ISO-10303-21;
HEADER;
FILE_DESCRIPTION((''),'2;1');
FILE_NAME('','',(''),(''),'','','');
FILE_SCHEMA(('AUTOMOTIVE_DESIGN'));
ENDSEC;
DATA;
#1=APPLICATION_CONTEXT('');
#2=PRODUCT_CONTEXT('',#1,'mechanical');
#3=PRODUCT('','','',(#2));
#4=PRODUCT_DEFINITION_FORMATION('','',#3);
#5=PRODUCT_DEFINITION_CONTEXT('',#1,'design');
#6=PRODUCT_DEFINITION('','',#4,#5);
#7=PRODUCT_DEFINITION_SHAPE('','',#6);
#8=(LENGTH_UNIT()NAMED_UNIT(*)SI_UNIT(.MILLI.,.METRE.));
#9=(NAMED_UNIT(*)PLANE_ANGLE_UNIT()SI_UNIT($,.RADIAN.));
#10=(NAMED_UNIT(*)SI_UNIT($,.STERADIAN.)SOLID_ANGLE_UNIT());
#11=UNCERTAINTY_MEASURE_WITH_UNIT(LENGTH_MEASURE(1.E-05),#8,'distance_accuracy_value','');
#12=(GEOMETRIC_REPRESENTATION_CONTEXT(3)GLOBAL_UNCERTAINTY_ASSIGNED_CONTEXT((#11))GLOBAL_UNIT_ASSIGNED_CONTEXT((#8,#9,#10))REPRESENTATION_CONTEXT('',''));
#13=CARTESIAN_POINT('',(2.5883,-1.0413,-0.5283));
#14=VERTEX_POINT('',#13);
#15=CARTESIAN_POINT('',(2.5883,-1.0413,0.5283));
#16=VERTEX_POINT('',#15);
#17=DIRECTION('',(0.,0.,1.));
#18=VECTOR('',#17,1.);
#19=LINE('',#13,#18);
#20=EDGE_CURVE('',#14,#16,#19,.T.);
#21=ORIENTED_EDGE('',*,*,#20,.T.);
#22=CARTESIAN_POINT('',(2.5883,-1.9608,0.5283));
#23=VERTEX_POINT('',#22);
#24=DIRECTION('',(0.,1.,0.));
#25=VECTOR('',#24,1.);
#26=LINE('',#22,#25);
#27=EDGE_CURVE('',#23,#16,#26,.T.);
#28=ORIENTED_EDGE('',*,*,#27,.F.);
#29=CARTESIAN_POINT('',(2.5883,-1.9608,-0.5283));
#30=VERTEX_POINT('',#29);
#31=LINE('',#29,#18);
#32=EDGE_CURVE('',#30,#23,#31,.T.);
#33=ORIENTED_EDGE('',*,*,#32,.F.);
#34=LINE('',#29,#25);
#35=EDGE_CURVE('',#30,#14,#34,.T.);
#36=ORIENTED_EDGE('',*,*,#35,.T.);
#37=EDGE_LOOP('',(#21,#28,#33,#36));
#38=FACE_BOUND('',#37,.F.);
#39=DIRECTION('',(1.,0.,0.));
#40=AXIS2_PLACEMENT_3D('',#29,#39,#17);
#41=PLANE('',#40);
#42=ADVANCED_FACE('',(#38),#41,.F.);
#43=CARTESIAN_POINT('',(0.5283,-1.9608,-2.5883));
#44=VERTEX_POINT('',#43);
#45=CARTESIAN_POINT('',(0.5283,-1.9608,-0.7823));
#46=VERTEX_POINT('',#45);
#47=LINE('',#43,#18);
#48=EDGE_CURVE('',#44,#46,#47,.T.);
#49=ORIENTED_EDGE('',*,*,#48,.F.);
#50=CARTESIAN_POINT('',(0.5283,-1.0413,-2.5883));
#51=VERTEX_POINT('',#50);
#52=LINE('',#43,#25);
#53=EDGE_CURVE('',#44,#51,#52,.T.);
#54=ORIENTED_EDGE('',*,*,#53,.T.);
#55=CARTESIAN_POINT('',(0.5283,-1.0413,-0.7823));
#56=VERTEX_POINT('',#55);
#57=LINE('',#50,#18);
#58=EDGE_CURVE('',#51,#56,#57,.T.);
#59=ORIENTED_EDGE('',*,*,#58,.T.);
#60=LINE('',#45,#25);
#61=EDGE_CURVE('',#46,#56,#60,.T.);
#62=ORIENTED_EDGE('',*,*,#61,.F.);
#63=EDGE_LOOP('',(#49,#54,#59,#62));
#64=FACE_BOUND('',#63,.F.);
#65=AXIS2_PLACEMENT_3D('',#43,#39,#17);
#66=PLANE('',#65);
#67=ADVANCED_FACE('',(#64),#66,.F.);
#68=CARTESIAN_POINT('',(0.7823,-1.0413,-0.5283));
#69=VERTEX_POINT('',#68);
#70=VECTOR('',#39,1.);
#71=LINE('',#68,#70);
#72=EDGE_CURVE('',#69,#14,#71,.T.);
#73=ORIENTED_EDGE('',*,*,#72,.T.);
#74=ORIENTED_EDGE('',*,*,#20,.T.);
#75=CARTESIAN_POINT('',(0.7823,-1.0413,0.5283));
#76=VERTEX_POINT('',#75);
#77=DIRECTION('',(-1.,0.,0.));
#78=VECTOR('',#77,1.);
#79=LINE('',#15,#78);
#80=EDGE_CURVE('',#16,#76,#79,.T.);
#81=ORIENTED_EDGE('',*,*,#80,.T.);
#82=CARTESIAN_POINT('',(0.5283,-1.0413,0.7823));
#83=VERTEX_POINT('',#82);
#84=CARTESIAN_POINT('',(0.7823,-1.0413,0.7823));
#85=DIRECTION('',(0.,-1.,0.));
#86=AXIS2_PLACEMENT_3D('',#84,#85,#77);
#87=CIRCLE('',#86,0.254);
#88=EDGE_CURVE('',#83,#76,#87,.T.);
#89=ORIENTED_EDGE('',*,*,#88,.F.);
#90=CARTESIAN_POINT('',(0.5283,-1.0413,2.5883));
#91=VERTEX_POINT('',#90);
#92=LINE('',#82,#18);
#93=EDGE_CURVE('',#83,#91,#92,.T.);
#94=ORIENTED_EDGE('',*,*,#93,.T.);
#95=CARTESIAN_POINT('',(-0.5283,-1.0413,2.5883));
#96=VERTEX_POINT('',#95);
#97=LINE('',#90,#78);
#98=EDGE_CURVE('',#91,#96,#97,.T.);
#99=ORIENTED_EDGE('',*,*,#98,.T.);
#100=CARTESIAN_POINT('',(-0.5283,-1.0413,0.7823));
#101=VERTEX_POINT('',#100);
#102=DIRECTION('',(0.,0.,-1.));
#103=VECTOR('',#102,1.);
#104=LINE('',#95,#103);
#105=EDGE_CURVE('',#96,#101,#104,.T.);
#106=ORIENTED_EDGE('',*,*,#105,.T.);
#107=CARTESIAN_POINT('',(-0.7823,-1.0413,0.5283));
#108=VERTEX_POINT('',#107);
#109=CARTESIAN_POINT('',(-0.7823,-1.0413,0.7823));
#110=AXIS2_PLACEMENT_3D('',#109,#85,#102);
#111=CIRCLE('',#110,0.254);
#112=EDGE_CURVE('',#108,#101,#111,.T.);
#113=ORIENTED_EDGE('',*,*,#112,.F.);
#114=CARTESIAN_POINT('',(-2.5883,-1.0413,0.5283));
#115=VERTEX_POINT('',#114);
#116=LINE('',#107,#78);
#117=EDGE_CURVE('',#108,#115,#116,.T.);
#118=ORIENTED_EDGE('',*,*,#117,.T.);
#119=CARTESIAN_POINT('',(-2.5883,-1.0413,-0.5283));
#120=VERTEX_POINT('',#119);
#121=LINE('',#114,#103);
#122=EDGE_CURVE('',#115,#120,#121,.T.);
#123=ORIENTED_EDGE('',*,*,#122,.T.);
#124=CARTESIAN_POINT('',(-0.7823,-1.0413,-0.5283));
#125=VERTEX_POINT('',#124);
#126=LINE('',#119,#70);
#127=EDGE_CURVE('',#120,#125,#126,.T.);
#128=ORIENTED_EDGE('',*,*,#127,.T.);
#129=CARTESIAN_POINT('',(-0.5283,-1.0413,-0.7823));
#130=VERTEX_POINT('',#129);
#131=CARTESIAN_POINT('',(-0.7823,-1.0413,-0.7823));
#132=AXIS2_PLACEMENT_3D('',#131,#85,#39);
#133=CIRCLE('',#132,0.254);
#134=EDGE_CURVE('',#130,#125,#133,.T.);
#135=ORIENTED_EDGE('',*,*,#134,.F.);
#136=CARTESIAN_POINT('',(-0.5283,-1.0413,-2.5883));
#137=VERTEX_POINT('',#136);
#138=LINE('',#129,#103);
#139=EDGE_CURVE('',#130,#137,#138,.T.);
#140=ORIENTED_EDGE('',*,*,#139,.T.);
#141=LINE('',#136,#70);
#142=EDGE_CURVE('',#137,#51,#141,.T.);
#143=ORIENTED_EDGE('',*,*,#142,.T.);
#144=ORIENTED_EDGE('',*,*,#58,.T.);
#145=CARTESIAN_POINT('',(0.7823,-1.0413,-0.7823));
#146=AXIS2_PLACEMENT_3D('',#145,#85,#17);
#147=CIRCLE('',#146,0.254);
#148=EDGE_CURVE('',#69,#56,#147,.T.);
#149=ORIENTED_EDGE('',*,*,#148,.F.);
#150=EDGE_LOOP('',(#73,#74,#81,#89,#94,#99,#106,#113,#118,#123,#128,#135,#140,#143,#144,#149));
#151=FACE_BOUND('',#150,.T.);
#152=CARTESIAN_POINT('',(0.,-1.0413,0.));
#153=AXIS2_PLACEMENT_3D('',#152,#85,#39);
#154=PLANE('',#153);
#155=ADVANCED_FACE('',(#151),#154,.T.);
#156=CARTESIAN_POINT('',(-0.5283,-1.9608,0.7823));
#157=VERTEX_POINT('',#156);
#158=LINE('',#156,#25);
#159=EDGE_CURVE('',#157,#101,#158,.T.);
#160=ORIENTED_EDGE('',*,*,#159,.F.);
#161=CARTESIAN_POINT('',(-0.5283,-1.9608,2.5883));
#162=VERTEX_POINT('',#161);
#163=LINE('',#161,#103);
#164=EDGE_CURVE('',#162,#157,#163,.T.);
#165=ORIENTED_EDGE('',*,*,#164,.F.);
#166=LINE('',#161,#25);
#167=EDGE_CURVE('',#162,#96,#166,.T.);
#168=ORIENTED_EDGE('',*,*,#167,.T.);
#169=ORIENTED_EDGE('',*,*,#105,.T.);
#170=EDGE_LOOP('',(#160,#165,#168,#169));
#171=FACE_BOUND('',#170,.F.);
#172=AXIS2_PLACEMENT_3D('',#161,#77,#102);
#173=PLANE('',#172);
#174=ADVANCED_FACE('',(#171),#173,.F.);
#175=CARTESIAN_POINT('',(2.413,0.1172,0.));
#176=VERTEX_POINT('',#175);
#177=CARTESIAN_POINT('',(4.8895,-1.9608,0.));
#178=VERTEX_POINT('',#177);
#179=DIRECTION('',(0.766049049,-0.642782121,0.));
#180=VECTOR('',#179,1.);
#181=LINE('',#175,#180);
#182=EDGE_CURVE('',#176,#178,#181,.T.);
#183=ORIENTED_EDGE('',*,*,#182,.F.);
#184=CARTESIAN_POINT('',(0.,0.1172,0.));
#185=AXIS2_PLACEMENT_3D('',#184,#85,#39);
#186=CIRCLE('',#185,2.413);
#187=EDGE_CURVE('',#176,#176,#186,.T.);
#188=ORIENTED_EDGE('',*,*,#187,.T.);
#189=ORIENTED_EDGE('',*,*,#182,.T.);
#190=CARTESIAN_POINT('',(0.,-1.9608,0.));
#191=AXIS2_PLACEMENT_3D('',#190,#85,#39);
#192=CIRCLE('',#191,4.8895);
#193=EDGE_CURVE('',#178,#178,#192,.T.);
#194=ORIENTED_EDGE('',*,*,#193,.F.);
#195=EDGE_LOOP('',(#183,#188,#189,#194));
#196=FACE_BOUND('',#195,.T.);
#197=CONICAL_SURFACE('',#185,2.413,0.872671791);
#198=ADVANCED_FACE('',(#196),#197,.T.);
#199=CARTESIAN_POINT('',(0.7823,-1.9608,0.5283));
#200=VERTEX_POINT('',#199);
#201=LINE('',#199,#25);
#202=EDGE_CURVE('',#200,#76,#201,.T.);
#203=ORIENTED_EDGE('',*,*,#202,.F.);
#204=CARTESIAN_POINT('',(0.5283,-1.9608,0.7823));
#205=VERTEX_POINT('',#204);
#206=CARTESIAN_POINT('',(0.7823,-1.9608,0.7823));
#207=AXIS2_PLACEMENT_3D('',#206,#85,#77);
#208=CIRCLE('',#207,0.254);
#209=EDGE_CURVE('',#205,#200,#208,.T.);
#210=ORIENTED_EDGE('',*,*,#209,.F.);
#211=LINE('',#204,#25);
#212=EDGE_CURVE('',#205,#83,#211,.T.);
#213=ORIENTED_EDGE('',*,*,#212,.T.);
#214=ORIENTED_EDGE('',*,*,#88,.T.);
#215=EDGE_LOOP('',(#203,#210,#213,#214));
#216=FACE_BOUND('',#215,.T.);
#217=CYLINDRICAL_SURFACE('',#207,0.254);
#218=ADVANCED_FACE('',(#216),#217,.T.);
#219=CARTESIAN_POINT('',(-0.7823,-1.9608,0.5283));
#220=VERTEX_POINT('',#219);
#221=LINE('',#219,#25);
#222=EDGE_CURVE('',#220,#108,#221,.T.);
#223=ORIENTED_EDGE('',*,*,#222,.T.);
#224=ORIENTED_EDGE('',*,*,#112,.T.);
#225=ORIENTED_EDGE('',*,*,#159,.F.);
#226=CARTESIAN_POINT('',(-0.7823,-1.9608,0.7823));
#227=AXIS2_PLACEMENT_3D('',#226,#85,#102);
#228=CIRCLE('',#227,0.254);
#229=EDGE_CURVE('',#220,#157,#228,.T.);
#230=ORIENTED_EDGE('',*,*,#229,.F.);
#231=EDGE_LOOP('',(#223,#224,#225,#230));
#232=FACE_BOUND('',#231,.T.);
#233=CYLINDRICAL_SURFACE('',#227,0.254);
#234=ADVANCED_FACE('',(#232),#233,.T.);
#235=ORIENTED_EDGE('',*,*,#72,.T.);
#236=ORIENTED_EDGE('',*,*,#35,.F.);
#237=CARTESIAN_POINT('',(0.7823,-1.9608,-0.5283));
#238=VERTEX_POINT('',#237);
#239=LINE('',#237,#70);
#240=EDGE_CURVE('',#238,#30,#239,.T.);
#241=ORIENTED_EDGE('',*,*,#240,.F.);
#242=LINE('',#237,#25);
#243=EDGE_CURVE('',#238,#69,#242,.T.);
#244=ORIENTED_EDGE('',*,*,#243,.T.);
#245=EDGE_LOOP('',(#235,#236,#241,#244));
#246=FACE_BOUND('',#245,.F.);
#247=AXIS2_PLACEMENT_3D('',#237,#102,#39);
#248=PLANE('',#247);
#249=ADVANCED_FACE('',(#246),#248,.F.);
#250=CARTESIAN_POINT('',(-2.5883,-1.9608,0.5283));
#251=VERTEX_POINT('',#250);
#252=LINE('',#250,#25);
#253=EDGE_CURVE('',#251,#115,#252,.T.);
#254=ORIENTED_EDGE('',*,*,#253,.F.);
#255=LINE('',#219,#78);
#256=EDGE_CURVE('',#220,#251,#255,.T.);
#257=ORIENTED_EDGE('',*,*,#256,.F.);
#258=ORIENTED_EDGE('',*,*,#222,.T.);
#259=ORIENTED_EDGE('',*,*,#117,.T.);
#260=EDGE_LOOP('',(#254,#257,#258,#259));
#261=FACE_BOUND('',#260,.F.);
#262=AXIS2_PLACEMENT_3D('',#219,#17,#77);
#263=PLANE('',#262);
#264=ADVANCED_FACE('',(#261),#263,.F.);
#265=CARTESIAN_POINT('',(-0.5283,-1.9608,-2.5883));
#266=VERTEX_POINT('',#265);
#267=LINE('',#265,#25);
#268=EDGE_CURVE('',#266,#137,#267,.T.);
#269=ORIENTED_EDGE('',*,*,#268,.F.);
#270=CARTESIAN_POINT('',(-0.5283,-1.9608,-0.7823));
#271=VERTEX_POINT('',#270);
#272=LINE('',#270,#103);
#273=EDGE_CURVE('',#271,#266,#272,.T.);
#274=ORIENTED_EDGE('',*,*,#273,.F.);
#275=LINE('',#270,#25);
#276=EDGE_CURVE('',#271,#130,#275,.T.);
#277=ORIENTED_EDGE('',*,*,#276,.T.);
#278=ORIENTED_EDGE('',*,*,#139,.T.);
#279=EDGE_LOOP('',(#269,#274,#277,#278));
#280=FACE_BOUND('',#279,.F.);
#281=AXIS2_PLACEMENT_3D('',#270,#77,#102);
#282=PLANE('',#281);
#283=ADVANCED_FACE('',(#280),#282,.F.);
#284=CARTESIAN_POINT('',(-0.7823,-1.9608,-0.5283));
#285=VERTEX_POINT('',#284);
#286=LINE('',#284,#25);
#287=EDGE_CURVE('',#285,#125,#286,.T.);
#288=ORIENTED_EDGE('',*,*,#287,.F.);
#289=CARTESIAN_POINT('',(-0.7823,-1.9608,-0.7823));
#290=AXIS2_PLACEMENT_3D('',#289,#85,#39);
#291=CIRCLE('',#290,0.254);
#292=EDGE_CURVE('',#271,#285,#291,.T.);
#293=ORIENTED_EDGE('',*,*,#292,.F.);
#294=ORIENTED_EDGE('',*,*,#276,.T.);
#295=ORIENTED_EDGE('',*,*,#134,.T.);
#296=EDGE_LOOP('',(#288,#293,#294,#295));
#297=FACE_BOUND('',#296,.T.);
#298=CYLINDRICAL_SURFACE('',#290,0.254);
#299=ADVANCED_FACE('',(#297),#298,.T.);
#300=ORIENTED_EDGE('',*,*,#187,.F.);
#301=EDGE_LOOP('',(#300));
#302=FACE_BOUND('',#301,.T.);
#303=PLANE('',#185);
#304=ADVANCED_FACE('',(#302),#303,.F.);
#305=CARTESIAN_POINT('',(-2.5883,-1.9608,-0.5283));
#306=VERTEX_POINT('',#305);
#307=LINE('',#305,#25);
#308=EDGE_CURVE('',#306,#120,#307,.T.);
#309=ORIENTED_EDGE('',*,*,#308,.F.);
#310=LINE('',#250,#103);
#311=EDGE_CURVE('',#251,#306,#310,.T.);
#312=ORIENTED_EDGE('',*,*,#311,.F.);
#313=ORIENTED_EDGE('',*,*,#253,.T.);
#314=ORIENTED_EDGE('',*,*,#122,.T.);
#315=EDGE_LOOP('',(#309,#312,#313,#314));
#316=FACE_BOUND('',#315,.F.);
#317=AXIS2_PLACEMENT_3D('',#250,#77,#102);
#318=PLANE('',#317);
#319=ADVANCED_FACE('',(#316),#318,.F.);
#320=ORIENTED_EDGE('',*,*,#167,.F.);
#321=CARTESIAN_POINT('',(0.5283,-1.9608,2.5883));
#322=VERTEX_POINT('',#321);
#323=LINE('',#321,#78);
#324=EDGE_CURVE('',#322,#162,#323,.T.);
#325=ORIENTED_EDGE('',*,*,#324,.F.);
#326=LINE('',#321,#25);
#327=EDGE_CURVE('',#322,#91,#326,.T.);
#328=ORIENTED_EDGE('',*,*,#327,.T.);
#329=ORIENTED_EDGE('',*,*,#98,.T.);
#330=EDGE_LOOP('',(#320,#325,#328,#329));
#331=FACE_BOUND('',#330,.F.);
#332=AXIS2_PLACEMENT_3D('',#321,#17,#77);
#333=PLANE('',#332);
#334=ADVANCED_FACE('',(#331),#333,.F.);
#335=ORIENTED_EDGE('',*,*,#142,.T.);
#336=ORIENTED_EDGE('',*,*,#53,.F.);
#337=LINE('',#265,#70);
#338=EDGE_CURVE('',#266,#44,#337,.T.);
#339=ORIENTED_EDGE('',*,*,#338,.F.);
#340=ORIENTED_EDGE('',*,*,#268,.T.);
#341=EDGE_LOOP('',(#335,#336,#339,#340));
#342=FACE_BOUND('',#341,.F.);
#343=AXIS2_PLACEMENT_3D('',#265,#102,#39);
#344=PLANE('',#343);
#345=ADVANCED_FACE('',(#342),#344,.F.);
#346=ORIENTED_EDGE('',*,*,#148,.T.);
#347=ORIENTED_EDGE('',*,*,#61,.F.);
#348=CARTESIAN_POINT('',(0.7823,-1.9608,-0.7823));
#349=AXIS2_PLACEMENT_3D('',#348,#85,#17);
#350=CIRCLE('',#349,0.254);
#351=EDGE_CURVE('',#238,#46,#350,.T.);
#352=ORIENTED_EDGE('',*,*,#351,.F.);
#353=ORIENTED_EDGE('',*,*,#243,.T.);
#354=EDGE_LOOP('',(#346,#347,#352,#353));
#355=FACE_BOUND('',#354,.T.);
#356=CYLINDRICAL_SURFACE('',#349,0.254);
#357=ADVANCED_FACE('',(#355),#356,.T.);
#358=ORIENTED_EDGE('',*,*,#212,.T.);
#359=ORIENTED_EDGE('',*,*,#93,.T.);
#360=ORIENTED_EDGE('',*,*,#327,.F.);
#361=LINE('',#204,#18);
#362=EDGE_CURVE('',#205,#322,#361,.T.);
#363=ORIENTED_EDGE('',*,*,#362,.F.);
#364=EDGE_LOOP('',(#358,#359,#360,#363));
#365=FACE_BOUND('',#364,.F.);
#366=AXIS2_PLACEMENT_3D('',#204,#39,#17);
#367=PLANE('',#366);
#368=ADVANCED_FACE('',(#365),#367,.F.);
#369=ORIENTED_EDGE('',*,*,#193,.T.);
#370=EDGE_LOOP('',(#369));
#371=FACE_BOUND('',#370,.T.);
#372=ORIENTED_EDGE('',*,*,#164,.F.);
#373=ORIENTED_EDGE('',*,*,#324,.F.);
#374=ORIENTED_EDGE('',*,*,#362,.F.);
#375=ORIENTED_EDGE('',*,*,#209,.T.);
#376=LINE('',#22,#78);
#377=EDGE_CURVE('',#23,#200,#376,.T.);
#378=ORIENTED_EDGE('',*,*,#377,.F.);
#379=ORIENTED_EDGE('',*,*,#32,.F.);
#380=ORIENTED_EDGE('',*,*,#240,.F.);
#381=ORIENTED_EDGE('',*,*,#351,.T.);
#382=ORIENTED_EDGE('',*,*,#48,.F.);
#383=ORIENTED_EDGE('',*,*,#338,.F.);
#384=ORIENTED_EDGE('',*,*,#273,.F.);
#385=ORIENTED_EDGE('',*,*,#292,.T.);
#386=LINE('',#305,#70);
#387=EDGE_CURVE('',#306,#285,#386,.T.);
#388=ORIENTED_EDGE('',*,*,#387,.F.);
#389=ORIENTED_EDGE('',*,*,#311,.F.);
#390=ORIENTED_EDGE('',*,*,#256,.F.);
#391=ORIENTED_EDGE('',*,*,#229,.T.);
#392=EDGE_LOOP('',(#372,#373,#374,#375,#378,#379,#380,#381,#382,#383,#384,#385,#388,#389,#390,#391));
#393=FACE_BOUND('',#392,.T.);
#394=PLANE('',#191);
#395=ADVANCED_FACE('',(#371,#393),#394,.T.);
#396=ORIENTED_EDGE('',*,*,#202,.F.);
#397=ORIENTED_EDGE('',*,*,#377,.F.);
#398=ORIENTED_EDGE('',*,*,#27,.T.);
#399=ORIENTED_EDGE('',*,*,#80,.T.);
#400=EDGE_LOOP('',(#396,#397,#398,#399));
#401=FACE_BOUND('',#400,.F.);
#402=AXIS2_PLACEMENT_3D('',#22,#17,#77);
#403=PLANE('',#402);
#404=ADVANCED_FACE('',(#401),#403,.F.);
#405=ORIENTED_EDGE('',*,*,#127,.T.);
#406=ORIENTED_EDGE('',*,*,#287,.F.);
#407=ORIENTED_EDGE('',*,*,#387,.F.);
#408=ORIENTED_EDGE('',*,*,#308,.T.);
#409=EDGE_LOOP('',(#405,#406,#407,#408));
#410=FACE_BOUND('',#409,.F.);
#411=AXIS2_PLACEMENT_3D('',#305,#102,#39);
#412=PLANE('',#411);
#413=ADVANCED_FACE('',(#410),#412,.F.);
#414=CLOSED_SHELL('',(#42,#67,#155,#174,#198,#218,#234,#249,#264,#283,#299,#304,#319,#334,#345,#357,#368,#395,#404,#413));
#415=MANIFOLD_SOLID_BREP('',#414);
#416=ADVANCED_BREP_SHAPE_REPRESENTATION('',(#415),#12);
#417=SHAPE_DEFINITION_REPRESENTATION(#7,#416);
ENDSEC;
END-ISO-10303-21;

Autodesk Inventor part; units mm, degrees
sketch "Sketch_3" plane through (0, 0, 0) normal (0, 0, 1) x (1, 0, 0)
  line L0 (0, -1.9608) -> (0, 0.1172)
  line L1 (0, 0.1172) -> (2.413, 0.1172)
  line L2 (2.413, 0.1172) -> (4.8895, -1.9608)
  line L3 (4.8895, -1.9608) -> (0, -1.9608)
  line L4 (0, -1.9608) -> (0, 0.1172)
revolve "Revolution1" add sketch "Sketch_3" angle 360 about axis through (0, -1.9608, 0) along (0, -1, 0)
sketch "Sketch_4" plane through (0, -1.9608, 0) normal (0, -1, 0) x (1, 0, 0)
  line L0 (-2.5883, 0.5283) -> (-2.5883, -0.5283)
  line L1 (-2.5883, -0.5283) -> (-0.7823, -0.5283)
  arc A0 (-0.5283, -0.7823) -> (-0.7823, -0.5283) centre (-0.7823, -0.7823) ccw
  line L2 (-0.5283, -0.7823) -> (-0.5283, -2.5883)
  line L3 (-0.5283, -2.5883) -> (0.5283, -2.5883)
  line L4 (0.5283, -2.5883) -> (0.5283, -0.7823)
  arc A1 (0.7823, -0.5283) -> (0.5283, -0.7823) centre (0.7823, -0.7823) ccw
  line L5 (0.7823, -0.5283) -> (2.5883, -0.5283)
  line L6 (2.5883, -0.5283) -> (2.5883, 0.5283)
  line L7 (2.5883, 0.5283) -> (0.7823, 0.5283)
  arc A2 (0.5283, 0.7823) -> (0.7823, 0.5283) centre (0.7823, 0.7823) ccw
  line L8 (0.5283, 0.7823) -> (0.5283, 2.5883)
  line L9 (0.5283, 2.5883) -> (-0.5283, 2.5883)
  line L10 (-0.5283, 2.5883) -> (-0.5283, 0.7823)
  arc A3 (-0.7823, 0.5283) -> (-0.5283, 0.7823) centre (-0.7823, 0.7823) ccw
  line L11 (-0.7823, 0.5283) -> (-2.5883, 0.5283)
extrude "Extrusion1" cut sketch "Sketch_4" against normal blind 0.9195
ref_plane "screw_XY" through (0, 0, 0) normal (0, 1, 0) x (1, 0, 0)
ref_plane "screw_YZ" through (0, 0, 0) normal (1, 0, 0) x (0, 0, -1)
ref_plane "screw_ZX" through (0, 0, 0) normal (0, 0, -1) x (0, 1, 0)
properties part number "3628_"
